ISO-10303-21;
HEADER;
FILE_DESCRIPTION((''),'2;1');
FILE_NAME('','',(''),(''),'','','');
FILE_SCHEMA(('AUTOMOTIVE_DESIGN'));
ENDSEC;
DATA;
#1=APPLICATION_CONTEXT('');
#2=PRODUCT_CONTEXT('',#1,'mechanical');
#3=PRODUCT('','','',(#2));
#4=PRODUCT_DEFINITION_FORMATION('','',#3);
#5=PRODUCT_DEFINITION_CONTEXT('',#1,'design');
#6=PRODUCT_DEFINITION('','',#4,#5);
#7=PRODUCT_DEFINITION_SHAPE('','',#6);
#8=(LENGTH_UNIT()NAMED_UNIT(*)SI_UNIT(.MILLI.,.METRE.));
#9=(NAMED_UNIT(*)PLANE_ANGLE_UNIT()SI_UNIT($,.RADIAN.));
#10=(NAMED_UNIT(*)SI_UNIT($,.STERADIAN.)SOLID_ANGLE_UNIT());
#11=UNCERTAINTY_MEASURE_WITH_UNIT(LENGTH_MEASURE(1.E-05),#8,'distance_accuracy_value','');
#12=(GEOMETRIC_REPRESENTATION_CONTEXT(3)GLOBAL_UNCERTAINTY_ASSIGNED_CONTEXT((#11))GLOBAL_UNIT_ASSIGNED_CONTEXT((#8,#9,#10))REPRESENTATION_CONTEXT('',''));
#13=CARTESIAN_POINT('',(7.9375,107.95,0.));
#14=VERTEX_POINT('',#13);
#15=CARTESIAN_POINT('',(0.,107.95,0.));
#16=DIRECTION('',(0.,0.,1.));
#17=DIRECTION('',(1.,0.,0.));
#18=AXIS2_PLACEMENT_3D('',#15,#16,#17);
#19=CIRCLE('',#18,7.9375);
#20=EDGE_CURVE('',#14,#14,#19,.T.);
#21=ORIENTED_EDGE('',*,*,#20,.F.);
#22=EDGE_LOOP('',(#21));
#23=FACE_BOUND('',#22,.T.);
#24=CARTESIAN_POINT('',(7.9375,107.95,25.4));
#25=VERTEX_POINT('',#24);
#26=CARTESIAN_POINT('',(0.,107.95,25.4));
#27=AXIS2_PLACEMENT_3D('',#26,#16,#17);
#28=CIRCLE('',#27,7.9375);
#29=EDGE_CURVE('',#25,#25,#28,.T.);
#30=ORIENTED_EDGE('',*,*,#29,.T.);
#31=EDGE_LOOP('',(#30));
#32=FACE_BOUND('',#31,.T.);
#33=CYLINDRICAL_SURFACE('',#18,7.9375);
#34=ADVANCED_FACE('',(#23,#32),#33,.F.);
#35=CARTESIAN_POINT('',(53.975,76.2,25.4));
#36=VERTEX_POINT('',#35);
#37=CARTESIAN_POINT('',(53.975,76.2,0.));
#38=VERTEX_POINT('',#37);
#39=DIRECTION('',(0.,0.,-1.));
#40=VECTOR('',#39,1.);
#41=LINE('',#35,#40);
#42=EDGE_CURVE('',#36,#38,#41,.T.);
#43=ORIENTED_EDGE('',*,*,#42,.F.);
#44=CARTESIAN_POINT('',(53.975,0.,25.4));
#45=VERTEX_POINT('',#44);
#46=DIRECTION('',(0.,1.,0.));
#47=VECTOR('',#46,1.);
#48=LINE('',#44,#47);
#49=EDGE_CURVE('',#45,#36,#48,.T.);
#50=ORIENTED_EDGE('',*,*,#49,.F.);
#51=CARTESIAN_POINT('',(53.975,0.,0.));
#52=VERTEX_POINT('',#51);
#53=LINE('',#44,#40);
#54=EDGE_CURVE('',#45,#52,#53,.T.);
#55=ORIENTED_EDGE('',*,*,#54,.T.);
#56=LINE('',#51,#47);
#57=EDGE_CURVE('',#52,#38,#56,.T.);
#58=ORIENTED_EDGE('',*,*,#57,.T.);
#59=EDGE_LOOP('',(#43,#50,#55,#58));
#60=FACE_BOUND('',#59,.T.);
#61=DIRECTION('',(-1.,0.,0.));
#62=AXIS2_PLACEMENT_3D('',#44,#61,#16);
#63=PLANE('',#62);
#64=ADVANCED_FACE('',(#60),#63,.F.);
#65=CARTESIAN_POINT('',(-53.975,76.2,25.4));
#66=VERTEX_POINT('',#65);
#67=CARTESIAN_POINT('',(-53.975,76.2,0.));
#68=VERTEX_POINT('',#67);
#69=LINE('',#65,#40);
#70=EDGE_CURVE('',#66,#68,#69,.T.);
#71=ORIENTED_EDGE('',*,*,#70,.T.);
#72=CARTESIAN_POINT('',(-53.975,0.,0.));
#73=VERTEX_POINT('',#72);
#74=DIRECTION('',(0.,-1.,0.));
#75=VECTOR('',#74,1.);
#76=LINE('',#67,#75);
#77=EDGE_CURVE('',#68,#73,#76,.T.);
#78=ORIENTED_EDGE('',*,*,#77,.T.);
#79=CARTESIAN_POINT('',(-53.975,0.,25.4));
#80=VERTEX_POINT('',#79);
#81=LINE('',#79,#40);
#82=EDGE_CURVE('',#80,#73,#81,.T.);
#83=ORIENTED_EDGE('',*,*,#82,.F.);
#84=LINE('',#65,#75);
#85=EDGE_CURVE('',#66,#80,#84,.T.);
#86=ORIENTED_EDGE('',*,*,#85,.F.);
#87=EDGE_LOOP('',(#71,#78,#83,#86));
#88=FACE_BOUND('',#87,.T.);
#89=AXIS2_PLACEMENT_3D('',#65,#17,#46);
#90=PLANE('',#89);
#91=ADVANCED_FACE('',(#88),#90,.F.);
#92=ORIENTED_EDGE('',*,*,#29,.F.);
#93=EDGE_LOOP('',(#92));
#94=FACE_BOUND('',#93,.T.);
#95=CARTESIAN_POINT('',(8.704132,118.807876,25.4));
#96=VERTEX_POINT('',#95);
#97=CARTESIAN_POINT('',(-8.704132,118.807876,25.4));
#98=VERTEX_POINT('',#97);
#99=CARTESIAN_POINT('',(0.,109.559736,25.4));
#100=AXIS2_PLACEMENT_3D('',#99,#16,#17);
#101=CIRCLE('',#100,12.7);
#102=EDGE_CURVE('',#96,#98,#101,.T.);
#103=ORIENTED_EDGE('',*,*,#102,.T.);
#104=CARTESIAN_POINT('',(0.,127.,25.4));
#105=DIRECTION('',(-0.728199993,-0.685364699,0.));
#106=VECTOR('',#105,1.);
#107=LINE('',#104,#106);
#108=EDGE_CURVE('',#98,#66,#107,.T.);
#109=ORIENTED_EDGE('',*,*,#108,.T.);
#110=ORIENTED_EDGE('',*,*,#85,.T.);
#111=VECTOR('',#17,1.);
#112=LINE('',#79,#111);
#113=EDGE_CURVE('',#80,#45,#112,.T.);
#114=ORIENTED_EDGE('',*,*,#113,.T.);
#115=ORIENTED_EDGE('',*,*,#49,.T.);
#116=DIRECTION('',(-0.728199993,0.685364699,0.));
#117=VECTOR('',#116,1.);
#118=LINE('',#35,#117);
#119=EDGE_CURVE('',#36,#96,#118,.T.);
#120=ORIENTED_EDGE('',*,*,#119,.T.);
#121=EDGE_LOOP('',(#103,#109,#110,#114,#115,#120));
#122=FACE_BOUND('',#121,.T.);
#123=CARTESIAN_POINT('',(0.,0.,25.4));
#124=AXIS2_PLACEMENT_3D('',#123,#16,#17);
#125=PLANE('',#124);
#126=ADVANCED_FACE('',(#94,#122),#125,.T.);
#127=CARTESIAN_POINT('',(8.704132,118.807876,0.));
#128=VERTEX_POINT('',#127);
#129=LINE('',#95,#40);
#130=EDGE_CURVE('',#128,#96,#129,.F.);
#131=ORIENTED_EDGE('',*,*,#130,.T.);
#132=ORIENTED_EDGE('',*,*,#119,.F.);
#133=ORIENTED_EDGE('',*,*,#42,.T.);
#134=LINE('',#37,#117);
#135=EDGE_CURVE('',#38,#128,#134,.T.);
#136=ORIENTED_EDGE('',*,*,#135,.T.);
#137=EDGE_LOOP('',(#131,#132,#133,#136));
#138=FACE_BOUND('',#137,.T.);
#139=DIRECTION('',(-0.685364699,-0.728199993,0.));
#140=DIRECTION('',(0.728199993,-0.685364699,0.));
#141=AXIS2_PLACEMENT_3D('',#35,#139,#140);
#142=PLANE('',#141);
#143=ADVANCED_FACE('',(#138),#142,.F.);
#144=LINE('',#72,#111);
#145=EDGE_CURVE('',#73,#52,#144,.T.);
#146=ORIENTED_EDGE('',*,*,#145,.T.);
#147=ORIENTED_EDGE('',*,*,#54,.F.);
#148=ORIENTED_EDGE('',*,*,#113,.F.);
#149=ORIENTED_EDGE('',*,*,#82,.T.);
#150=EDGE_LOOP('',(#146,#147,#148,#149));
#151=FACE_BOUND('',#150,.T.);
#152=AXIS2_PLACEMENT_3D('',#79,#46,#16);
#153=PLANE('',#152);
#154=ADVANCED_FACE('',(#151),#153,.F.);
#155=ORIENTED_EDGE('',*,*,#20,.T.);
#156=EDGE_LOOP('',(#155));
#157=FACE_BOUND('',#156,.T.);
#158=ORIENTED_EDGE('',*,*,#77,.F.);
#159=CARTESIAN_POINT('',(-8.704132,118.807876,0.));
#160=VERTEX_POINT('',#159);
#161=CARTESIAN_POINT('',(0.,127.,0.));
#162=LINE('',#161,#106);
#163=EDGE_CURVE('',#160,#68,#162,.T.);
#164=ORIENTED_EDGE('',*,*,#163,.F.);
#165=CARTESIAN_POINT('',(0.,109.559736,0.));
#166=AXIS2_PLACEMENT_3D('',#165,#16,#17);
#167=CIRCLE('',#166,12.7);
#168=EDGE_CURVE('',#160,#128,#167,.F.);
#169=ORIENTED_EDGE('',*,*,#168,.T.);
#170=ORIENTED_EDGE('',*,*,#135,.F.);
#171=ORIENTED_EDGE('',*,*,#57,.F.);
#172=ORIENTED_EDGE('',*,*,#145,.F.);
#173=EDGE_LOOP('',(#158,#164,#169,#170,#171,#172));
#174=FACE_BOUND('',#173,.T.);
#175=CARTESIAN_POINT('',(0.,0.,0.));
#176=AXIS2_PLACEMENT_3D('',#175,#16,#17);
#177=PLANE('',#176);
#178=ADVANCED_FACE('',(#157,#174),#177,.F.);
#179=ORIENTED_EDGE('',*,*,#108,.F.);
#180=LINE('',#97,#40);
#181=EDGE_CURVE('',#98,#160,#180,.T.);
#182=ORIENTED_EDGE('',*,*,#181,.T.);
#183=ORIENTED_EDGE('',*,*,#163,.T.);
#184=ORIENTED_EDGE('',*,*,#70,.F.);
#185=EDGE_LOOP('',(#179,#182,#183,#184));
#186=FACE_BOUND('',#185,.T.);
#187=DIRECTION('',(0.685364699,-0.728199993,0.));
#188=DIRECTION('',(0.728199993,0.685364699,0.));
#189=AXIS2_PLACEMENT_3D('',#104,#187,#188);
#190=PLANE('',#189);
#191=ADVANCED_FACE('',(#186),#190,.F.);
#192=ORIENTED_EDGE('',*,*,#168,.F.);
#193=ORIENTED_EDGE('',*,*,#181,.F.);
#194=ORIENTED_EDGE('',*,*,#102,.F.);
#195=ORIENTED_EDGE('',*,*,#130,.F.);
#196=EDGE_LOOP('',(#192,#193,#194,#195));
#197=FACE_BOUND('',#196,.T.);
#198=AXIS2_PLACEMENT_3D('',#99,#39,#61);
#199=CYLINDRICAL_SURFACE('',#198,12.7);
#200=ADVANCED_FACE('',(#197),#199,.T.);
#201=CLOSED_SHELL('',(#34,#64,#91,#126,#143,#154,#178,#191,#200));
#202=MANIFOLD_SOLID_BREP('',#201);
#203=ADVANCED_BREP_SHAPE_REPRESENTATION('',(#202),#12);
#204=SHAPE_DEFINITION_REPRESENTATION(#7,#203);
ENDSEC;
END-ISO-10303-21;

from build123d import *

# Parameters (mm, degrees)
BOSS_EXTRUDE1_DEPTH = 25.4
FILLET1_R           = 12.7
SKETCH2_R           = 7.9375
CUT_EXTRUDE1_DEPTH  = 25.4


with BuildPart() as part:
    # Sketch1 → Boss-Extrude1 (new body)
    with BuildSketch(Plane.XY):
        Polygon((-53.975, 0), (53.975, 0), (53.975, 76.2), (0, 127), (-53.975, 76.2), align=None)
    extrude(amount=BOSS_EXTRUDE1_DEPTH)

    # Fillet1
    fillet1_edges = [part.edges().sort_by_distance(p)[0] for p in [
        (0, 127, 12.7),
    ]]
    fillet(fillet1_edges, radius=FILLET1_R)

    # Sketch2 → Cut-Extrude1 (cut)
    with BuildSketch(Plane.XY.offset(25.4)):
        with Locations((0, 107.95)):
            Circle(SKETCH2_R)
    extrude(amount=-CUT_EXTRUDE1_DEPTH, mode=Mode.SUBTRACT)


solid = part.part
